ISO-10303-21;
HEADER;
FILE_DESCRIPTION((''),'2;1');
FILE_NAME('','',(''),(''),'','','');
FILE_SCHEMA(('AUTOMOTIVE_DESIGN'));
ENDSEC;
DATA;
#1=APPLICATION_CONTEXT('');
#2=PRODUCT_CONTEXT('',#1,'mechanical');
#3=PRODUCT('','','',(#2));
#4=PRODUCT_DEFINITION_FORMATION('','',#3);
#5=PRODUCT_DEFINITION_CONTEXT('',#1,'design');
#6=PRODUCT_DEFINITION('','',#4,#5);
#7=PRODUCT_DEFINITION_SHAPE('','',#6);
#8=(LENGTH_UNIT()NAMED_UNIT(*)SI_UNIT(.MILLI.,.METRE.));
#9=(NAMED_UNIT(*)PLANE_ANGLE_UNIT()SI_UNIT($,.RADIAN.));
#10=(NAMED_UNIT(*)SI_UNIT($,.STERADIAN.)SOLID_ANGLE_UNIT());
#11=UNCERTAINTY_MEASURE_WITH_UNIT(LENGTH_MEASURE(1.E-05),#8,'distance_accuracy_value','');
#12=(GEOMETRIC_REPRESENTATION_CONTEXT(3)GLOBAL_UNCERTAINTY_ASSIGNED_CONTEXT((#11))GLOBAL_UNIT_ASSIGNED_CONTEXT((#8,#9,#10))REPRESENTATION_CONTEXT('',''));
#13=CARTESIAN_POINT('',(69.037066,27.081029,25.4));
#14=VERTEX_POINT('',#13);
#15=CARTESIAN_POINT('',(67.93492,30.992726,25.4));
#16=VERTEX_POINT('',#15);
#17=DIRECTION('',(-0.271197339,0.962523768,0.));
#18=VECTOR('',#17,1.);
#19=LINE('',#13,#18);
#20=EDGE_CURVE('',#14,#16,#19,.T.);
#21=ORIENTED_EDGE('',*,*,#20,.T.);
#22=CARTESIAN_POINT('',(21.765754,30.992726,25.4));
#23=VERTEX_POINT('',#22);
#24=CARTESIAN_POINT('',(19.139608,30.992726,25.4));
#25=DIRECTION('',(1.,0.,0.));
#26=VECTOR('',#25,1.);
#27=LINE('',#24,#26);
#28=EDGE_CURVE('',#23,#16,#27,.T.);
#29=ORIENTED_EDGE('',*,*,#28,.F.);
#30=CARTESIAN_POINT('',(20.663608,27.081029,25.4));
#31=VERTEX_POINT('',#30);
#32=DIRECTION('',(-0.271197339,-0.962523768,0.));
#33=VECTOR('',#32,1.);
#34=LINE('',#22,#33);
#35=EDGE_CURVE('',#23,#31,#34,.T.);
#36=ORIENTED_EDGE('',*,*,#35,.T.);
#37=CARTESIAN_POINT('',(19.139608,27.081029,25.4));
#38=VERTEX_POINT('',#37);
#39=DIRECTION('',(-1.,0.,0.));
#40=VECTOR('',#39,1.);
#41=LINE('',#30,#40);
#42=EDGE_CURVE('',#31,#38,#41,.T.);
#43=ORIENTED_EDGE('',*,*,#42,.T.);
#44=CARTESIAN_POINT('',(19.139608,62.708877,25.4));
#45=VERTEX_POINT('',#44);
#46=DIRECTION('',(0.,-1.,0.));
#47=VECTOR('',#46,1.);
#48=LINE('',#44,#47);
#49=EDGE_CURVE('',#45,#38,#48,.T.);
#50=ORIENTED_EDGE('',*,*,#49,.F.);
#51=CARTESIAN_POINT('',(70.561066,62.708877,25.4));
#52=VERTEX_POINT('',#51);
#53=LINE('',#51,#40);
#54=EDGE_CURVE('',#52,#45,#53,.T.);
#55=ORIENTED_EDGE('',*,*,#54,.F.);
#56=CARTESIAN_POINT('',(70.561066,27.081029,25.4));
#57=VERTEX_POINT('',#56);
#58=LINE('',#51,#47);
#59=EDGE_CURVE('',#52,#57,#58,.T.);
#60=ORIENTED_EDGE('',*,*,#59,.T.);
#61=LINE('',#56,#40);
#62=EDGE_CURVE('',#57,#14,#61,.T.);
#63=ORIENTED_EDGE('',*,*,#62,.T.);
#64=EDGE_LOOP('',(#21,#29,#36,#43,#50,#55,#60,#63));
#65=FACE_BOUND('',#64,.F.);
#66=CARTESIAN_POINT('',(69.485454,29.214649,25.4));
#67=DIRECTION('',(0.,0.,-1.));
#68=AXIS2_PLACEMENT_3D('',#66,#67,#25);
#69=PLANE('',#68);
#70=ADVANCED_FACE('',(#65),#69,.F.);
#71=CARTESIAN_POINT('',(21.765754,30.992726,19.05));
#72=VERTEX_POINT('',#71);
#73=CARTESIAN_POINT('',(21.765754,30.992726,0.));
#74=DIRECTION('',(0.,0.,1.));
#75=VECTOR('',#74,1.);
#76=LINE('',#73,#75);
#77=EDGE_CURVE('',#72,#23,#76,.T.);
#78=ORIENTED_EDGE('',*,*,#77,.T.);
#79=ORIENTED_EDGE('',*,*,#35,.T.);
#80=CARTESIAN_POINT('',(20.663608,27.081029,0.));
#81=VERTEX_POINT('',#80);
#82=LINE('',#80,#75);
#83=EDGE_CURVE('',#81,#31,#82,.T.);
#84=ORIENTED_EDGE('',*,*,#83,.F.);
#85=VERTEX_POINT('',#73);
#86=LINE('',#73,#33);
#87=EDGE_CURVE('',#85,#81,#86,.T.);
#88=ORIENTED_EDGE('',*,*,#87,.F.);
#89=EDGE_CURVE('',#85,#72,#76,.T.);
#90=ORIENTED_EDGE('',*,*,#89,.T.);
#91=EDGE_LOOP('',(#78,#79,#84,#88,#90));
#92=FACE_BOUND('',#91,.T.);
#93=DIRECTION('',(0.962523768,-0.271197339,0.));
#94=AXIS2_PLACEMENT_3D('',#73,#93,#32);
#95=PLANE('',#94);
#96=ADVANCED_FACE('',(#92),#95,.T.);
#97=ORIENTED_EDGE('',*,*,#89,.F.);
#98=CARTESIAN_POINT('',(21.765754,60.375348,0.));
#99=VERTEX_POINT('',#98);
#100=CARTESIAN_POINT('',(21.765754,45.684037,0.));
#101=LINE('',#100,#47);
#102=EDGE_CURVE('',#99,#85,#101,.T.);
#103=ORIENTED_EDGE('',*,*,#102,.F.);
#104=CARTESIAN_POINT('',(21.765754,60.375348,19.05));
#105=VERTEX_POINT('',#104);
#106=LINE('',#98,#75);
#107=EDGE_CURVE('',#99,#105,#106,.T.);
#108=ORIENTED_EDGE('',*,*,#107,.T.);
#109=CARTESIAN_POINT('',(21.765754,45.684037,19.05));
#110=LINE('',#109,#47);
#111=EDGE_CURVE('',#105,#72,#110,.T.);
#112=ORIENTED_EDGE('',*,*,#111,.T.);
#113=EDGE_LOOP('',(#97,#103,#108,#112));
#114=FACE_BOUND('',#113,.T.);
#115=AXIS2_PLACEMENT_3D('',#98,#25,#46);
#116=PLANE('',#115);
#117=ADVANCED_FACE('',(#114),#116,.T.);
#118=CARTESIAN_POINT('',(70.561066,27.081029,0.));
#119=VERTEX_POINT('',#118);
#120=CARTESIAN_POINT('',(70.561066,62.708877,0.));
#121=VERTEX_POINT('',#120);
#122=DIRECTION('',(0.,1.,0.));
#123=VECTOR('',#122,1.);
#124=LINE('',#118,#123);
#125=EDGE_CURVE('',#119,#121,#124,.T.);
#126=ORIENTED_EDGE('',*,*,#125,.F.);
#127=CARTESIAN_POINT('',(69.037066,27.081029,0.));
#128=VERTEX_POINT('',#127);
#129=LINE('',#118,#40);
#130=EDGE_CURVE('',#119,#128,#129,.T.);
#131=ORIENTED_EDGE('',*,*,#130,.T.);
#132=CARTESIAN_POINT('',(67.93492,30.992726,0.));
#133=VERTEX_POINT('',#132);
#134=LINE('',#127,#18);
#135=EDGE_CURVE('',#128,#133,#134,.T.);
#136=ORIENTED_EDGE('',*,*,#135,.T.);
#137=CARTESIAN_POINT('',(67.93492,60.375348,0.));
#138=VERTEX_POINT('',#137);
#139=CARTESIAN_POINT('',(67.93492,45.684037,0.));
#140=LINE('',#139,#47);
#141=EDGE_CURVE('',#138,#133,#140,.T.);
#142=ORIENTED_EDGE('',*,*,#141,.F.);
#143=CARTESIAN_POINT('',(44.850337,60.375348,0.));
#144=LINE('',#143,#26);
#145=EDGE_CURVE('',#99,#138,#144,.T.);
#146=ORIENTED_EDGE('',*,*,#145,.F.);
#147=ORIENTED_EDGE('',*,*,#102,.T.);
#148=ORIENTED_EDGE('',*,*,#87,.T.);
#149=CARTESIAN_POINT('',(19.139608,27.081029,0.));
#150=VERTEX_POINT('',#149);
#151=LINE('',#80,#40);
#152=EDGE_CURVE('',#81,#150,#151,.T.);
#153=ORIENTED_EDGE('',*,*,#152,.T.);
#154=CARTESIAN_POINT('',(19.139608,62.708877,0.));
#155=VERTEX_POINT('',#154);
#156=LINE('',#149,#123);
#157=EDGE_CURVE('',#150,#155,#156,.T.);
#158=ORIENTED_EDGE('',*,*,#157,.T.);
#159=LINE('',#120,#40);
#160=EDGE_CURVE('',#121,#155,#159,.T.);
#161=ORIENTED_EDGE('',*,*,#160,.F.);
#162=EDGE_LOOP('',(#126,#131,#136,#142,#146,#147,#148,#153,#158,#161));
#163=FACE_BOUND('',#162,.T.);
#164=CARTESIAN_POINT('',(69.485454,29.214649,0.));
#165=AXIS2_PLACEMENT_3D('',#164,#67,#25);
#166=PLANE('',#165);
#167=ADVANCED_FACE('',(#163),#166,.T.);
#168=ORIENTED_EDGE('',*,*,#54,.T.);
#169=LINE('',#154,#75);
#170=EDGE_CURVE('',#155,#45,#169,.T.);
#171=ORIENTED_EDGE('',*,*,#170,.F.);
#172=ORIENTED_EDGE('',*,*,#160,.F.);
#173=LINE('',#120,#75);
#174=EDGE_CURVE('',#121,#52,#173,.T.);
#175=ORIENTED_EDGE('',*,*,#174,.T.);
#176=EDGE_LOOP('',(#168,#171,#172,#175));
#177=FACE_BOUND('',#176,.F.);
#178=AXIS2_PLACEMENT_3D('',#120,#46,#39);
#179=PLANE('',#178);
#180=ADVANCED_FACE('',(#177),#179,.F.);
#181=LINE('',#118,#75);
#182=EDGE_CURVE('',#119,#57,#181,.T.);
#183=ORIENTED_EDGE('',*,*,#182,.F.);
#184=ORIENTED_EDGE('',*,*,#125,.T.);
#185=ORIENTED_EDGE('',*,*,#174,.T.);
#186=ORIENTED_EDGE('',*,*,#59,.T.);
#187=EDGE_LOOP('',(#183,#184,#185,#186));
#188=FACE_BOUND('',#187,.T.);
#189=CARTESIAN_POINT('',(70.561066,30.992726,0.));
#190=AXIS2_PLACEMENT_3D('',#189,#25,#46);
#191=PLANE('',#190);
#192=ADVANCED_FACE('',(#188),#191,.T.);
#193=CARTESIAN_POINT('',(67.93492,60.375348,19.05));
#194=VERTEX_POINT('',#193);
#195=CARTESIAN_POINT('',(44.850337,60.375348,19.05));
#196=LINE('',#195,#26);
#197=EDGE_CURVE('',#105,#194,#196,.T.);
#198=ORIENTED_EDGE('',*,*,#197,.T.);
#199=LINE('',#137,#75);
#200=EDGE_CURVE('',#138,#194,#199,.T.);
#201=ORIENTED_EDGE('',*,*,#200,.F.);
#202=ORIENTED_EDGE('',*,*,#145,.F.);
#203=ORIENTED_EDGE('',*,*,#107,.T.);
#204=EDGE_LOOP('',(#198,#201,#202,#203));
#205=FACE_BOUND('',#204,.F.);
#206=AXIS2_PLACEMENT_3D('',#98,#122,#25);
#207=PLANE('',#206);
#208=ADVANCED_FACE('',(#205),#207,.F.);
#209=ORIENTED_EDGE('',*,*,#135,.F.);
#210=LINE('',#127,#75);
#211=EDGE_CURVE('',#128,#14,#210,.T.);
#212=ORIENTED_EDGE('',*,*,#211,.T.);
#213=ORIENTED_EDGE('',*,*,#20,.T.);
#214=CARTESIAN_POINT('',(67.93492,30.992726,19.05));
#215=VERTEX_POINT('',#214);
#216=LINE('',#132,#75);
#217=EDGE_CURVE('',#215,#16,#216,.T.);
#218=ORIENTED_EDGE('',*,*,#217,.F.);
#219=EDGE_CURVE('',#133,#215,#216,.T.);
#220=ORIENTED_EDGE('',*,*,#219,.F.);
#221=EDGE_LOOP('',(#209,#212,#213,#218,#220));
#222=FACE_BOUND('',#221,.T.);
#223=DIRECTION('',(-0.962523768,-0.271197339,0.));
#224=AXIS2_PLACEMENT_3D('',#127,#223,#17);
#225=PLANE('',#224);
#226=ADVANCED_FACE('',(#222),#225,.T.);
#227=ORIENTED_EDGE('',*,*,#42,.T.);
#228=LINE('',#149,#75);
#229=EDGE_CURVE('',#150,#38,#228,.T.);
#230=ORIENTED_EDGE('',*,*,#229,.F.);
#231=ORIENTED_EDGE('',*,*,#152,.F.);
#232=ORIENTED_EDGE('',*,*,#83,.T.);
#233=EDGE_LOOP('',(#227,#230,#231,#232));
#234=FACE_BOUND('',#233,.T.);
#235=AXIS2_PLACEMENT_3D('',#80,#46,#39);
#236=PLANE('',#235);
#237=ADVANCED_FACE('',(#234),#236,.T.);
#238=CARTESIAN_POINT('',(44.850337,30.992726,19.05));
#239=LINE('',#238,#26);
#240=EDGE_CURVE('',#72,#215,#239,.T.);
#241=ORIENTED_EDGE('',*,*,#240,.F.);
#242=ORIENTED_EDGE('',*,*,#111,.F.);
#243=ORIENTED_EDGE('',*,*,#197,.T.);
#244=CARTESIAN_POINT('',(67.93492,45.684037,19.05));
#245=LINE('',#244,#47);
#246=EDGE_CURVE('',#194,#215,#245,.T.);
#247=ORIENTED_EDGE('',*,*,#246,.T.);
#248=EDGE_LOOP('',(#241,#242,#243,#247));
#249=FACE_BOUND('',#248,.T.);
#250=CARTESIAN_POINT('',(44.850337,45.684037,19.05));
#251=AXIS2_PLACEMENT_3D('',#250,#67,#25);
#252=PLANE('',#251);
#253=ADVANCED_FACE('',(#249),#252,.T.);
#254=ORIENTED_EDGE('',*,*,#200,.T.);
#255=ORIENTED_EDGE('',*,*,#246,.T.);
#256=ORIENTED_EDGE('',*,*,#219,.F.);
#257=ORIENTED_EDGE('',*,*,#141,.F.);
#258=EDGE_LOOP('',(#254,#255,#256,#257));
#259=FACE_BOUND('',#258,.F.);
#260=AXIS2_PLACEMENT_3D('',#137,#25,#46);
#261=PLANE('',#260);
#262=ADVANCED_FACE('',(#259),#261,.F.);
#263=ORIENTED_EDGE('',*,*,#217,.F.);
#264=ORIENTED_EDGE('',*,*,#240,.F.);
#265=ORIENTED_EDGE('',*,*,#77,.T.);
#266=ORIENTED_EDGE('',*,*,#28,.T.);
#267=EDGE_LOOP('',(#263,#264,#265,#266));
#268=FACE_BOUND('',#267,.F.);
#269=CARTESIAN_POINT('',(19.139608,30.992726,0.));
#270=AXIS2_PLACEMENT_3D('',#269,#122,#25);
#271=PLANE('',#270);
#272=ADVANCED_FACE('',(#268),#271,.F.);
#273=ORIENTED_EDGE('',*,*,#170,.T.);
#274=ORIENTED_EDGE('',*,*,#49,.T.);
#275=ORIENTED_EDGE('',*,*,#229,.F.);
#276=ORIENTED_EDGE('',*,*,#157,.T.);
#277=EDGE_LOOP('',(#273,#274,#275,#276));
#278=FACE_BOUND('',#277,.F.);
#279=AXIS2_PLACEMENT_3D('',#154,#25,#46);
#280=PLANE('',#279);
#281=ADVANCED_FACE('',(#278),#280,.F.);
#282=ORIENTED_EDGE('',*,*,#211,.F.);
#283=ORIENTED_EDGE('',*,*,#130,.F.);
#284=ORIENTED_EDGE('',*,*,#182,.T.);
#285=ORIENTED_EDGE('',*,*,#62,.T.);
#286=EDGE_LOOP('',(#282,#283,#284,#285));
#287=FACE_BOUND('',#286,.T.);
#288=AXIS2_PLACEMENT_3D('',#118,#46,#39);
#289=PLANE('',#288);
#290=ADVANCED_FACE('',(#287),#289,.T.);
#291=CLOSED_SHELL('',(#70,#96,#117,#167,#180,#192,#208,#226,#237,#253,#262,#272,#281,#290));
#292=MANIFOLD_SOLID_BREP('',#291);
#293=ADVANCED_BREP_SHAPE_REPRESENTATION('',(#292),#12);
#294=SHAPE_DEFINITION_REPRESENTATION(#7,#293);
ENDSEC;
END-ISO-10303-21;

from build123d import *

# Parameters (mm, degrees)
F1_DEPTH = 25.4
F2_W     = 46.1691659327
F2_H     = 29.3826218694
F3_DEPTH = 19.05
F5_DEPTH = 25.4


with BuildPart() as f1:
    # F0 (on Top) → F1 (new body)
    with BuildSketch(Plane.XY):
        Polygon((70.5610662699, 62.708877027), (19.1396083683, 62.708877027), (19.1396083683, 30.9927258641), (22.5176624954, 30.9927258641), (68.1213587523, 30.9927258641), (70.5610662699, 30.9927258641), align=None)
    extrude(amount=F1_DEPTH)

    # F2 (on face) → F3 (cut)
    with BuildSketch(Plane(origin=(0, 0, 0), x_dir=(1, 0, 0), z_dir=(0, 0, -1))):
        with Locations((44.8503373191, -45.6840367988)):
            Rectangle(F2_W, F2_H)
    extrude(amount=-F3_DEPTH, mode=Mode.SUBTRACT)

    # F4 (on face) → F5 (join)
    with BuildSketch(Plane(origin=(0, 0, 0), x_dir=(1, 0, 0), z_dir=(0, 0, -1))):
        Polygon((67.9349202854, -30.9927258641), (70.5610662699, -30.9927258641), (70.5610662699, -27.0810292719), (69.0370662699, -27.0810292719), align=None)
        Polygon((19.1396083683, -27.0810292719), (19.1396083683, -30.9927258641), (21.7657543527, -30.9927258641), (20.6636083683, -27.0810292719), align=None)
    extrude(amount=-F5_DEPTH)


solid = f1.part
